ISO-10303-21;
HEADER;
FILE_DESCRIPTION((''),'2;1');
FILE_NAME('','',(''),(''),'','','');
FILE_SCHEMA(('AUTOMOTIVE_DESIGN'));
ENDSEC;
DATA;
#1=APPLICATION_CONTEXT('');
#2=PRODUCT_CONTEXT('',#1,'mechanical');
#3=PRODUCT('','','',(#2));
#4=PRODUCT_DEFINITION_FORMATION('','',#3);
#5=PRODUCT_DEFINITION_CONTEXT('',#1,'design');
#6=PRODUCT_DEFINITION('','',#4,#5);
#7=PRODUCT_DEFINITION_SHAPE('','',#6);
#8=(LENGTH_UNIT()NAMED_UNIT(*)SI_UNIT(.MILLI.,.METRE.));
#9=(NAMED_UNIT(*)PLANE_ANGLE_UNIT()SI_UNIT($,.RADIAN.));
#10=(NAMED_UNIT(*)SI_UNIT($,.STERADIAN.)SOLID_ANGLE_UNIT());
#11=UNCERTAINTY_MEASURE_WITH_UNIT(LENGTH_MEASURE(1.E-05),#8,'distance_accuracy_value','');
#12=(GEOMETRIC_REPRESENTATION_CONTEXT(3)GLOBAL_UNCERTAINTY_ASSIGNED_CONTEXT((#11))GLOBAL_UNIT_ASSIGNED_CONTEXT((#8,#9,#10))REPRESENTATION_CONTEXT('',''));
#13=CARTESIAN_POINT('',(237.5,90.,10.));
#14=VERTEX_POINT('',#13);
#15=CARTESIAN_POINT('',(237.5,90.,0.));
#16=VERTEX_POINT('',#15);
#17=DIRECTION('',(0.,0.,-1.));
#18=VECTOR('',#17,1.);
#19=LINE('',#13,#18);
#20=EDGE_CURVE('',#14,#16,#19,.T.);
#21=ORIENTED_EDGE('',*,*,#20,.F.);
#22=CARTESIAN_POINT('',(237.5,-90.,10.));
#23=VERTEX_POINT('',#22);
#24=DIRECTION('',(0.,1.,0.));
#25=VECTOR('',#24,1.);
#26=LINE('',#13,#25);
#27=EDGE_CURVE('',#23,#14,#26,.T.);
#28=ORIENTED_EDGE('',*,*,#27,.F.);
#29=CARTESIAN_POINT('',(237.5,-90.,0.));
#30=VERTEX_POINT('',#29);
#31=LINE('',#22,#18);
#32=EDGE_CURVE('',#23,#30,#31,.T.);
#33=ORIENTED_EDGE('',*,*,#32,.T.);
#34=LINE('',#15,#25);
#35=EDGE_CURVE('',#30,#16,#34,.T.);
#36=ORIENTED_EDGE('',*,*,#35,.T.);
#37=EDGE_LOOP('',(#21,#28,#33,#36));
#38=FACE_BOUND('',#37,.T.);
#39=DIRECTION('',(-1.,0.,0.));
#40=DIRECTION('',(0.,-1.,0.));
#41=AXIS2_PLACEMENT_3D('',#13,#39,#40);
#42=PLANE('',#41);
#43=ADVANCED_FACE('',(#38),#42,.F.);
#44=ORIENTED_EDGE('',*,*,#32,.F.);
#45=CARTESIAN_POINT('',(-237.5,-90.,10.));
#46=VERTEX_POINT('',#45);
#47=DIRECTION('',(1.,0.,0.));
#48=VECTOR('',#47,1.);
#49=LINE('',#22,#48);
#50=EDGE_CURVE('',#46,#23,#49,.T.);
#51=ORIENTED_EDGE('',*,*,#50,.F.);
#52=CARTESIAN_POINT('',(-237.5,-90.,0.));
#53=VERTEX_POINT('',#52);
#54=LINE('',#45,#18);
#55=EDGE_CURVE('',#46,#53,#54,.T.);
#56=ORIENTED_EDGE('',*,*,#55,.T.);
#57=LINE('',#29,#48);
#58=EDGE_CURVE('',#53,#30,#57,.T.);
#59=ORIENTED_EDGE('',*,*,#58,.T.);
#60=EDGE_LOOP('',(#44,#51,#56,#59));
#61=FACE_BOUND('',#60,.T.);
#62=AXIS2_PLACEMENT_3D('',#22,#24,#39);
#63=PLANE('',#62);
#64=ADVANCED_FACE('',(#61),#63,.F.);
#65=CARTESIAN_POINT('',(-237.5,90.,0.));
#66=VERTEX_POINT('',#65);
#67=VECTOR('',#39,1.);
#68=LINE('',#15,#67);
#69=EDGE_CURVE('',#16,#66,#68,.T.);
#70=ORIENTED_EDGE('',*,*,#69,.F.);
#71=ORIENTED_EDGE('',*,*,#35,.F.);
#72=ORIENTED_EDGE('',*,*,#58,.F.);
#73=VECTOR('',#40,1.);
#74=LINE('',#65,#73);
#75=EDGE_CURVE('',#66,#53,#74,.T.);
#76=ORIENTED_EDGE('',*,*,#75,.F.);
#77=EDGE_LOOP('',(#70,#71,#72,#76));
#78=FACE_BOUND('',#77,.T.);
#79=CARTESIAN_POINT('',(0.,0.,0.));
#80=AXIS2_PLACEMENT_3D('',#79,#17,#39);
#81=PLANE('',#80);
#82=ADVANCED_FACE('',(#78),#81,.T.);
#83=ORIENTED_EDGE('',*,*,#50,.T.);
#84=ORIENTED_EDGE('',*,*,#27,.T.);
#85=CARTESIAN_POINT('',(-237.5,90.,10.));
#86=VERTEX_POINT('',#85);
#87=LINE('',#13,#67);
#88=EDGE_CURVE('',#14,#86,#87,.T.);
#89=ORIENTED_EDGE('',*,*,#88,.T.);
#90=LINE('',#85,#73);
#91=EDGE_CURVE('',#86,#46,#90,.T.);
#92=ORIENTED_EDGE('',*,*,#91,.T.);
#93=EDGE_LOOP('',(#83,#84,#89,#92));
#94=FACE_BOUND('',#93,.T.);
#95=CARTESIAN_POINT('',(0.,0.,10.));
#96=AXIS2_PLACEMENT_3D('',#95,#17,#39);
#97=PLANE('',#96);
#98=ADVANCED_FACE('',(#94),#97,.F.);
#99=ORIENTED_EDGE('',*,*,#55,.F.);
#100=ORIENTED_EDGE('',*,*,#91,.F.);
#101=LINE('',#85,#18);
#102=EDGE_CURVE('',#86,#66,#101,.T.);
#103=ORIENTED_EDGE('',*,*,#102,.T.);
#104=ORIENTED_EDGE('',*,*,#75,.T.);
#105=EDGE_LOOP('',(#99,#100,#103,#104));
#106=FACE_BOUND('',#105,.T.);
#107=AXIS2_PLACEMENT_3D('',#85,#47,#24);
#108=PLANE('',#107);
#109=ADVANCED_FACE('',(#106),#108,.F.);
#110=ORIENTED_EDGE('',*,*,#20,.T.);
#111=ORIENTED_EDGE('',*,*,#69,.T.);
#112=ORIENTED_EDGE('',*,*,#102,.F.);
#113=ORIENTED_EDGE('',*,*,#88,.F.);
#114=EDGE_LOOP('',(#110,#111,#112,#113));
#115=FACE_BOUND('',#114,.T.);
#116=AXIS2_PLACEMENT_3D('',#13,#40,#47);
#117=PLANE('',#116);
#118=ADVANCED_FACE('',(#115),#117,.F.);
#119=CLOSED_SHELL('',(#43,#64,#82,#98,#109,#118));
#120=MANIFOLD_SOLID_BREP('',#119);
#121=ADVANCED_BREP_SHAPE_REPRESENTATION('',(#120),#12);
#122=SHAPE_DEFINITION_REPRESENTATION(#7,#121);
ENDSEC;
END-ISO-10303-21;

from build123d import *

# Parameters (mm, degrees)
SKIZZE1_W                       = 475
SKIZZE1_H                       = 180
AUFSATZ_LINEAR_AUSTRAGEN1_DEPTH = 10


with BuildPart() as part:
    # Skizze1 → Aufsatz-Linear austragen1 (new body)
    with BuildSketch(Plane.XY):
        Rectangle(SKIZZE1_W, SKIZZE1_H)
    extrude(amount=AUFSATZ_LINEAR_AUSTRAGEN1_DEPTH)


solid = part.part
